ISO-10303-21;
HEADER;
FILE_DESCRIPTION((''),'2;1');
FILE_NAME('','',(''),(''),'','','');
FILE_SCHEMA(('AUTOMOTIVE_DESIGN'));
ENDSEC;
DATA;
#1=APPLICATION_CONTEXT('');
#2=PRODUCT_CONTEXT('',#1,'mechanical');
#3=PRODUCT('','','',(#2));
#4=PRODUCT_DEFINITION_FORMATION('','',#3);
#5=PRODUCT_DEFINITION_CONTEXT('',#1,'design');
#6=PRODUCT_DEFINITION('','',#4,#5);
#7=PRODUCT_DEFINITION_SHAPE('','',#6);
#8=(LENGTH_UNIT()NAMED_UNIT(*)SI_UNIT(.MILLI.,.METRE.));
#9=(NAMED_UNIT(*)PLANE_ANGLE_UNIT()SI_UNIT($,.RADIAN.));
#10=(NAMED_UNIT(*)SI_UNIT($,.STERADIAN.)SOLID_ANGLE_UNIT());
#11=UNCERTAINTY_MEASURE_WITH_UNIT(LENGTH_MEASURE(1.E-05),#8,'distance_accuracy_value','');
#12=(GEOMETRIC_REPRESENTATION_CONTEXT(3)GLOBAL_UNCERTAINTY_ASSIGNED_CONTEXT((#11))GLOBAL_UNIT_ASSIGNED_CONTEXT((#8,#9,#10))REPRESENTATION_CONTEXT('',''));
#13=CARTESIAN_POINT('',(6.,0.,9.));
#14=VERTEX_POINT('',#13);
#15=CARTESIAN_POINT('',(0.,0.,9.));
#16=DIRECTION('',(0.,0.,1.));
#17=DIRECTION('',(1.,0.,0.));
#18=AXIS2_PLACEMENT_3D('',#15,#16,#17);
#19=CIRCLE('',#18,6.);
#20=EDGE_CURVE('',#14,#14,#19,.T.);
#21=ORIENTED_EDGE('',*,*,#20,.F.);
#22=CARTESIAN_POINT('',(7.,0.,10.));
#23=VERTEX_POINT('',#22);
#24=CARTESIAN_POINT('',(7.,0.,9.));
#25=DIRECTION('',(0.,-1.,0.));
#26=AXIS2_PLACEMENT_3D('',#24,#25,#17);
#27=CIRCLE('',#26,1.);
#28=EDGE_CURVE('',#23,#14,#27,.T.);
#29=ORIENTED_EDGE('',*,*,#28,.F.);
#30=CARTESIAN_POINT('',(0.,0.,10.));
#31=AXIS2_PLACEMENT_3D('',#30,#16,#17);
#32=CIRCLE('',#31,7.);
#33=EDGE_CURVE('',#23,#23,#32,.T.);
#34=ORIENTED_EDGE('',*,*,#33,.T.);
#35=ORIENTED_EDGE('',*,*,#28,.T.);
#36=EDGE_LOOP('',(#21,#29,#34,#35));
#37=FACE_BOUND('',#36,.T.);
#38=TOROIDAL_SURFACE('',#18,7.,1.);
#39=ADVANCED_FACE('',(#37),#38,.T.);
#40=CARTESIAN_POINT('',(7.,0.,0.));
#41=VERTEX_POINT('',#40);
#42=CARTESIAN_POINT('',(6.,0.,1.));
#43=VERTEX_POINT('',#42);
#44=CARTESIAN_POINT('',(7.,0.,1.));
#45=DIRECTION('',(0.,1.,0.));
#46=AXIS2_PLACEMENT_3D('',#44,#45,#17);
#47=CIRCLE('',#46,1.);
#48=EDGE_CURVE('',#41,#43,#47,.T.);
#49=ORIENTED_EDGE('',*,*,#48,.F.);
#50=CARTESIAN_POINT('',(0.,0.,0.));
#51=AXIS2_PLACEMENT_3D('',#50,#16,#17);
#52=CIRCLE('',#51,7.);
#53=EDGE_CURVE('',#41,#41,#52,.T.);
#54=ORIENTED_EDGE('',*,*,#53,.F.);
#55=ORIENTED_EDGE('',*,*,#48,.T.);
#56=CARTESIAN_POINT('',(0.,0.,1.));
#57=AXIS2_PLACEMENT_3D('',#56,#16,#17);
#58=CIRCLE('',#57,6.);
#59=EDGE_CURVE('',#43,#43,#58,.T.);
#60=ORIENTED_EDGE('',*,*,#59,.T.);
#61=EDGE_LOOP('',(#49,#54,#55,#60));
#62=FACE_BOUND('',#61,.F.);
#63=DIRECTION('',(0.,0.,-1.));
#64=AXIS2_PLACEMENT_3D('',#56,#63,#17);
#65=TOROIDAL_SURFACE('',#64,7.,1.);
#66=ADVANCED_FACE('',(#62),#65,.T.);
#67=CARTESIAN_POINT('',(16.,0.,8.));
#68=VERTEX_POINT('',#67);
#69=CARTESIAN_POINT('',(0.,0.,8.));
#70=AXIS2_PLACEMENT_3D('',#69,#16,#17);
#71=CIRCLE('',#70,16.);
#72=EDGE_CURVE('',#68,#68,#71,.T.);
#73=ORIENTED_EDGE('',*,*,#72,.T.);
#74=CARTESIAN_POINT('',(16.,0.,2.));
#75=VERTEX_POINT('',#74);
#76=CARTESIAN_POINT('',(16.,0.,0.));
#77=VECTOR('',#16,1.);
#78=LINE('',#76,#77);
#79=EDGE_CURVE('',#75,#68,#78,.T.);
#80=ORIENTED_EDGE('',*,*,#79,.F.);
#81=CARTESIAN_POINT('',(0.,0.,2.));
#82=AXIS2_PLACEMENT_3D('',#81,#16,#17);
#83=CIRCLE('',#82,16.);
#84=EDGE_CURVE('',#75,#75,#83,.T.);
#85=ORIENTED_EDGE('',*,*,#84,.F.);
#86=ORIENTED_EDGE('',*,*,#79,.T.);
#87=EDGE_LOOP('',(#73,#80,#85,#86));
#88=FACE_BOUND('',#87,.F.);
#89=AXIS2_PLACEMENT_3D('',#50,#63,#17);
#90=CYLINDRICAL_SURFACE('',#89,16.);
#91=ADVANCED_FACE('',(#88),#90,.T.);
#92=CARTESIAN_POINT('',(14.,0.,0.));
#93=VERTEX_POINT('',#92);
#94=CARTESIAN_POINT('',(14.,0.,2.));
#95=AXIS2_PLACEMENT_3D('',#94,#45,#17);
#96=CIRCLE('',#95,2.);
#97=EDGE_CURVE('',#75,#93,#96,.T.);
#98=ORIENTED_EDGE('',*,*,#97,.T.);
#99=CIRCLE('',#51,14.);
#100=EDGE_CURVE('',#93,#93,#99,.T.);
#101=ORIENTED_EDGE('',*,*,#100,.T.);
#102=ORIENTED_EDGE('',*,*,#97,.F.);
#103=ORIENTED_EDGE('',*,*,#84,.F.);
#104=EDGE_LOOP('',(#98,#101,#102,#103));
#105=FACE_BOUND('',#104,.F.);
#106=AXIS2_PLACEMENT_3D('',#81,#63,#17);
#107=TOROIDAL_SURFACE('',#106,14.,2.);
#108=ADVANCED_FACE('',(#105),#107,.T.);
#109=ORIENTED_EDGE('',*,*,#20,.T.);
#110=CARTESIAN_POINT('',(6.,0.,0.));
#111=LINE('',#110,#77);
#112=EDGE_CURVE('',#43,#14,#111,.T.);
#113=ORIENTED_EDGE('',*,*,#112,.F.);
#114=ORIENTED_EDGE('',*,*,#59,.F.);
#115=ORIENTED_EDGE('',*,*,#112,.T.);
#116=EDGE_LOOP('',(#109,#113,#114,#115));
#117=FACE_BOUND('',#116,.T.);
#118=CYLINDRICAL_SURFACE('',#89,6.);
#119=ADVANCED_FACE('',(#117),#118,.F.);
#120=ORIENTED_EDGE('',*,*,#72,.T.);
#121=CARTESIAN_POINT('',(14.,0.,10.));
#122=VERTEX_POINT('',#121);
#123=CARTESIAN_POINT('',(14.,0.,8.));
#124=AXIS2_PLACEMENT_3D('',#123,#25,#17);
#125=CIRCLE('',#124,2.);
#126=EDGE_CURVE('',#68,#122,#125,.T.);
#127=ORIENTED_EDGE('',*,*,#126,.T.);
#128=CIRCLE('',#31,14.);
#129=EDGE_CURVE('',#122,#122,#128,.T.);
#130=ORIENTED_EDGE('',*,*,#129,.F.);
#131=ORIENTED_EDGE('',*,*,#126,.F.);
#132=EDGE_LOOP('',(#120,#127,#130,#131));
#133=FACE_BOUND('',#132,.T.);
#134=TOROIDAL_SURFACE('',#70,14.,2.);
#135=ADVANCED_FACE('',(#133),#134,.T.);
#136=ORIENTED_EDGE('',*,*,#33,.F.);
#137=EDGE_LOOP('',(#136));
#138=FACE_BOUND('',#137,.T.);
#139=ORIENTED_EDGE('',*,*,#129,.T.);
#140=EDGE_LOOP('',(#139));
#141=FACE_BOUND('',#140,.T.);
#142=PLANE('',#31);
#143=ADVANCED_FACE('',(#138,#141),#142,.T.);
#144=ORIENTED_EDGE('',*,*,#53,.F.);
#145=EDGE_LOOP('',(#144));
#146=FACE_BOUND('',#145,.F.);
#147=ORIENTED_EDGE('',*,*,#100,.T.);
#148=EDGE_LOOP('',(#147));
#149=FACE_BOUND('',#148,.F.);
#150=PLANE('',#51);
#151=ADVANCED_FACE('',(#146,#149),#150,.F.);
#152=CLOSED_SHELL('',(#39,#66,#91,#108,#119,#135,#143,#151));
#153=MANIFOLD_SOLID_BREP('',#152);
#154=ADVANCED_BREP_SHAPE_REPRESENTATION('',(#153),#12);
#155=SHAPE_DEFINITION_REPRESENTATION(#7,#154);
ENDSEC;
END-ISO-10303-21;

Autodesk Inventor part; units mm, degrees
ref_plane "YZ Plane" through (0, 0, 0) normal (1, 0, 0) x (0, 1, 0)
ref_plane "XZ Plane" through (0, 0, 0) normal (0, 1, 0) x (-1, 0, 0)
ref_plane "XY Plane" through (0, 0, 0) normal (0, 0, 1) x (1, 0, 0)
sketch "Sketch1" plane through (0, 0, 0) normal (0, 0, 1) x (1, 0, 0)
  circle A0 centre (0, 0) radius 16
  circle A1 centre (0, 0) radius 6
  dimension "d0" = 32
  dimension "d1" = 12
extrude "Extrusion1" add sketch "Sketch1" along normal blind 10
fillet "Fillet1" radius 2 2 edges at (-16, 0, 10) (-16, 0, 0)
fillet "Fillet2" radius 1 2 edges at (-6, 0, 10) (-6, 0, 0)
properties part number "6201RS" material "Steel, Carbon"
